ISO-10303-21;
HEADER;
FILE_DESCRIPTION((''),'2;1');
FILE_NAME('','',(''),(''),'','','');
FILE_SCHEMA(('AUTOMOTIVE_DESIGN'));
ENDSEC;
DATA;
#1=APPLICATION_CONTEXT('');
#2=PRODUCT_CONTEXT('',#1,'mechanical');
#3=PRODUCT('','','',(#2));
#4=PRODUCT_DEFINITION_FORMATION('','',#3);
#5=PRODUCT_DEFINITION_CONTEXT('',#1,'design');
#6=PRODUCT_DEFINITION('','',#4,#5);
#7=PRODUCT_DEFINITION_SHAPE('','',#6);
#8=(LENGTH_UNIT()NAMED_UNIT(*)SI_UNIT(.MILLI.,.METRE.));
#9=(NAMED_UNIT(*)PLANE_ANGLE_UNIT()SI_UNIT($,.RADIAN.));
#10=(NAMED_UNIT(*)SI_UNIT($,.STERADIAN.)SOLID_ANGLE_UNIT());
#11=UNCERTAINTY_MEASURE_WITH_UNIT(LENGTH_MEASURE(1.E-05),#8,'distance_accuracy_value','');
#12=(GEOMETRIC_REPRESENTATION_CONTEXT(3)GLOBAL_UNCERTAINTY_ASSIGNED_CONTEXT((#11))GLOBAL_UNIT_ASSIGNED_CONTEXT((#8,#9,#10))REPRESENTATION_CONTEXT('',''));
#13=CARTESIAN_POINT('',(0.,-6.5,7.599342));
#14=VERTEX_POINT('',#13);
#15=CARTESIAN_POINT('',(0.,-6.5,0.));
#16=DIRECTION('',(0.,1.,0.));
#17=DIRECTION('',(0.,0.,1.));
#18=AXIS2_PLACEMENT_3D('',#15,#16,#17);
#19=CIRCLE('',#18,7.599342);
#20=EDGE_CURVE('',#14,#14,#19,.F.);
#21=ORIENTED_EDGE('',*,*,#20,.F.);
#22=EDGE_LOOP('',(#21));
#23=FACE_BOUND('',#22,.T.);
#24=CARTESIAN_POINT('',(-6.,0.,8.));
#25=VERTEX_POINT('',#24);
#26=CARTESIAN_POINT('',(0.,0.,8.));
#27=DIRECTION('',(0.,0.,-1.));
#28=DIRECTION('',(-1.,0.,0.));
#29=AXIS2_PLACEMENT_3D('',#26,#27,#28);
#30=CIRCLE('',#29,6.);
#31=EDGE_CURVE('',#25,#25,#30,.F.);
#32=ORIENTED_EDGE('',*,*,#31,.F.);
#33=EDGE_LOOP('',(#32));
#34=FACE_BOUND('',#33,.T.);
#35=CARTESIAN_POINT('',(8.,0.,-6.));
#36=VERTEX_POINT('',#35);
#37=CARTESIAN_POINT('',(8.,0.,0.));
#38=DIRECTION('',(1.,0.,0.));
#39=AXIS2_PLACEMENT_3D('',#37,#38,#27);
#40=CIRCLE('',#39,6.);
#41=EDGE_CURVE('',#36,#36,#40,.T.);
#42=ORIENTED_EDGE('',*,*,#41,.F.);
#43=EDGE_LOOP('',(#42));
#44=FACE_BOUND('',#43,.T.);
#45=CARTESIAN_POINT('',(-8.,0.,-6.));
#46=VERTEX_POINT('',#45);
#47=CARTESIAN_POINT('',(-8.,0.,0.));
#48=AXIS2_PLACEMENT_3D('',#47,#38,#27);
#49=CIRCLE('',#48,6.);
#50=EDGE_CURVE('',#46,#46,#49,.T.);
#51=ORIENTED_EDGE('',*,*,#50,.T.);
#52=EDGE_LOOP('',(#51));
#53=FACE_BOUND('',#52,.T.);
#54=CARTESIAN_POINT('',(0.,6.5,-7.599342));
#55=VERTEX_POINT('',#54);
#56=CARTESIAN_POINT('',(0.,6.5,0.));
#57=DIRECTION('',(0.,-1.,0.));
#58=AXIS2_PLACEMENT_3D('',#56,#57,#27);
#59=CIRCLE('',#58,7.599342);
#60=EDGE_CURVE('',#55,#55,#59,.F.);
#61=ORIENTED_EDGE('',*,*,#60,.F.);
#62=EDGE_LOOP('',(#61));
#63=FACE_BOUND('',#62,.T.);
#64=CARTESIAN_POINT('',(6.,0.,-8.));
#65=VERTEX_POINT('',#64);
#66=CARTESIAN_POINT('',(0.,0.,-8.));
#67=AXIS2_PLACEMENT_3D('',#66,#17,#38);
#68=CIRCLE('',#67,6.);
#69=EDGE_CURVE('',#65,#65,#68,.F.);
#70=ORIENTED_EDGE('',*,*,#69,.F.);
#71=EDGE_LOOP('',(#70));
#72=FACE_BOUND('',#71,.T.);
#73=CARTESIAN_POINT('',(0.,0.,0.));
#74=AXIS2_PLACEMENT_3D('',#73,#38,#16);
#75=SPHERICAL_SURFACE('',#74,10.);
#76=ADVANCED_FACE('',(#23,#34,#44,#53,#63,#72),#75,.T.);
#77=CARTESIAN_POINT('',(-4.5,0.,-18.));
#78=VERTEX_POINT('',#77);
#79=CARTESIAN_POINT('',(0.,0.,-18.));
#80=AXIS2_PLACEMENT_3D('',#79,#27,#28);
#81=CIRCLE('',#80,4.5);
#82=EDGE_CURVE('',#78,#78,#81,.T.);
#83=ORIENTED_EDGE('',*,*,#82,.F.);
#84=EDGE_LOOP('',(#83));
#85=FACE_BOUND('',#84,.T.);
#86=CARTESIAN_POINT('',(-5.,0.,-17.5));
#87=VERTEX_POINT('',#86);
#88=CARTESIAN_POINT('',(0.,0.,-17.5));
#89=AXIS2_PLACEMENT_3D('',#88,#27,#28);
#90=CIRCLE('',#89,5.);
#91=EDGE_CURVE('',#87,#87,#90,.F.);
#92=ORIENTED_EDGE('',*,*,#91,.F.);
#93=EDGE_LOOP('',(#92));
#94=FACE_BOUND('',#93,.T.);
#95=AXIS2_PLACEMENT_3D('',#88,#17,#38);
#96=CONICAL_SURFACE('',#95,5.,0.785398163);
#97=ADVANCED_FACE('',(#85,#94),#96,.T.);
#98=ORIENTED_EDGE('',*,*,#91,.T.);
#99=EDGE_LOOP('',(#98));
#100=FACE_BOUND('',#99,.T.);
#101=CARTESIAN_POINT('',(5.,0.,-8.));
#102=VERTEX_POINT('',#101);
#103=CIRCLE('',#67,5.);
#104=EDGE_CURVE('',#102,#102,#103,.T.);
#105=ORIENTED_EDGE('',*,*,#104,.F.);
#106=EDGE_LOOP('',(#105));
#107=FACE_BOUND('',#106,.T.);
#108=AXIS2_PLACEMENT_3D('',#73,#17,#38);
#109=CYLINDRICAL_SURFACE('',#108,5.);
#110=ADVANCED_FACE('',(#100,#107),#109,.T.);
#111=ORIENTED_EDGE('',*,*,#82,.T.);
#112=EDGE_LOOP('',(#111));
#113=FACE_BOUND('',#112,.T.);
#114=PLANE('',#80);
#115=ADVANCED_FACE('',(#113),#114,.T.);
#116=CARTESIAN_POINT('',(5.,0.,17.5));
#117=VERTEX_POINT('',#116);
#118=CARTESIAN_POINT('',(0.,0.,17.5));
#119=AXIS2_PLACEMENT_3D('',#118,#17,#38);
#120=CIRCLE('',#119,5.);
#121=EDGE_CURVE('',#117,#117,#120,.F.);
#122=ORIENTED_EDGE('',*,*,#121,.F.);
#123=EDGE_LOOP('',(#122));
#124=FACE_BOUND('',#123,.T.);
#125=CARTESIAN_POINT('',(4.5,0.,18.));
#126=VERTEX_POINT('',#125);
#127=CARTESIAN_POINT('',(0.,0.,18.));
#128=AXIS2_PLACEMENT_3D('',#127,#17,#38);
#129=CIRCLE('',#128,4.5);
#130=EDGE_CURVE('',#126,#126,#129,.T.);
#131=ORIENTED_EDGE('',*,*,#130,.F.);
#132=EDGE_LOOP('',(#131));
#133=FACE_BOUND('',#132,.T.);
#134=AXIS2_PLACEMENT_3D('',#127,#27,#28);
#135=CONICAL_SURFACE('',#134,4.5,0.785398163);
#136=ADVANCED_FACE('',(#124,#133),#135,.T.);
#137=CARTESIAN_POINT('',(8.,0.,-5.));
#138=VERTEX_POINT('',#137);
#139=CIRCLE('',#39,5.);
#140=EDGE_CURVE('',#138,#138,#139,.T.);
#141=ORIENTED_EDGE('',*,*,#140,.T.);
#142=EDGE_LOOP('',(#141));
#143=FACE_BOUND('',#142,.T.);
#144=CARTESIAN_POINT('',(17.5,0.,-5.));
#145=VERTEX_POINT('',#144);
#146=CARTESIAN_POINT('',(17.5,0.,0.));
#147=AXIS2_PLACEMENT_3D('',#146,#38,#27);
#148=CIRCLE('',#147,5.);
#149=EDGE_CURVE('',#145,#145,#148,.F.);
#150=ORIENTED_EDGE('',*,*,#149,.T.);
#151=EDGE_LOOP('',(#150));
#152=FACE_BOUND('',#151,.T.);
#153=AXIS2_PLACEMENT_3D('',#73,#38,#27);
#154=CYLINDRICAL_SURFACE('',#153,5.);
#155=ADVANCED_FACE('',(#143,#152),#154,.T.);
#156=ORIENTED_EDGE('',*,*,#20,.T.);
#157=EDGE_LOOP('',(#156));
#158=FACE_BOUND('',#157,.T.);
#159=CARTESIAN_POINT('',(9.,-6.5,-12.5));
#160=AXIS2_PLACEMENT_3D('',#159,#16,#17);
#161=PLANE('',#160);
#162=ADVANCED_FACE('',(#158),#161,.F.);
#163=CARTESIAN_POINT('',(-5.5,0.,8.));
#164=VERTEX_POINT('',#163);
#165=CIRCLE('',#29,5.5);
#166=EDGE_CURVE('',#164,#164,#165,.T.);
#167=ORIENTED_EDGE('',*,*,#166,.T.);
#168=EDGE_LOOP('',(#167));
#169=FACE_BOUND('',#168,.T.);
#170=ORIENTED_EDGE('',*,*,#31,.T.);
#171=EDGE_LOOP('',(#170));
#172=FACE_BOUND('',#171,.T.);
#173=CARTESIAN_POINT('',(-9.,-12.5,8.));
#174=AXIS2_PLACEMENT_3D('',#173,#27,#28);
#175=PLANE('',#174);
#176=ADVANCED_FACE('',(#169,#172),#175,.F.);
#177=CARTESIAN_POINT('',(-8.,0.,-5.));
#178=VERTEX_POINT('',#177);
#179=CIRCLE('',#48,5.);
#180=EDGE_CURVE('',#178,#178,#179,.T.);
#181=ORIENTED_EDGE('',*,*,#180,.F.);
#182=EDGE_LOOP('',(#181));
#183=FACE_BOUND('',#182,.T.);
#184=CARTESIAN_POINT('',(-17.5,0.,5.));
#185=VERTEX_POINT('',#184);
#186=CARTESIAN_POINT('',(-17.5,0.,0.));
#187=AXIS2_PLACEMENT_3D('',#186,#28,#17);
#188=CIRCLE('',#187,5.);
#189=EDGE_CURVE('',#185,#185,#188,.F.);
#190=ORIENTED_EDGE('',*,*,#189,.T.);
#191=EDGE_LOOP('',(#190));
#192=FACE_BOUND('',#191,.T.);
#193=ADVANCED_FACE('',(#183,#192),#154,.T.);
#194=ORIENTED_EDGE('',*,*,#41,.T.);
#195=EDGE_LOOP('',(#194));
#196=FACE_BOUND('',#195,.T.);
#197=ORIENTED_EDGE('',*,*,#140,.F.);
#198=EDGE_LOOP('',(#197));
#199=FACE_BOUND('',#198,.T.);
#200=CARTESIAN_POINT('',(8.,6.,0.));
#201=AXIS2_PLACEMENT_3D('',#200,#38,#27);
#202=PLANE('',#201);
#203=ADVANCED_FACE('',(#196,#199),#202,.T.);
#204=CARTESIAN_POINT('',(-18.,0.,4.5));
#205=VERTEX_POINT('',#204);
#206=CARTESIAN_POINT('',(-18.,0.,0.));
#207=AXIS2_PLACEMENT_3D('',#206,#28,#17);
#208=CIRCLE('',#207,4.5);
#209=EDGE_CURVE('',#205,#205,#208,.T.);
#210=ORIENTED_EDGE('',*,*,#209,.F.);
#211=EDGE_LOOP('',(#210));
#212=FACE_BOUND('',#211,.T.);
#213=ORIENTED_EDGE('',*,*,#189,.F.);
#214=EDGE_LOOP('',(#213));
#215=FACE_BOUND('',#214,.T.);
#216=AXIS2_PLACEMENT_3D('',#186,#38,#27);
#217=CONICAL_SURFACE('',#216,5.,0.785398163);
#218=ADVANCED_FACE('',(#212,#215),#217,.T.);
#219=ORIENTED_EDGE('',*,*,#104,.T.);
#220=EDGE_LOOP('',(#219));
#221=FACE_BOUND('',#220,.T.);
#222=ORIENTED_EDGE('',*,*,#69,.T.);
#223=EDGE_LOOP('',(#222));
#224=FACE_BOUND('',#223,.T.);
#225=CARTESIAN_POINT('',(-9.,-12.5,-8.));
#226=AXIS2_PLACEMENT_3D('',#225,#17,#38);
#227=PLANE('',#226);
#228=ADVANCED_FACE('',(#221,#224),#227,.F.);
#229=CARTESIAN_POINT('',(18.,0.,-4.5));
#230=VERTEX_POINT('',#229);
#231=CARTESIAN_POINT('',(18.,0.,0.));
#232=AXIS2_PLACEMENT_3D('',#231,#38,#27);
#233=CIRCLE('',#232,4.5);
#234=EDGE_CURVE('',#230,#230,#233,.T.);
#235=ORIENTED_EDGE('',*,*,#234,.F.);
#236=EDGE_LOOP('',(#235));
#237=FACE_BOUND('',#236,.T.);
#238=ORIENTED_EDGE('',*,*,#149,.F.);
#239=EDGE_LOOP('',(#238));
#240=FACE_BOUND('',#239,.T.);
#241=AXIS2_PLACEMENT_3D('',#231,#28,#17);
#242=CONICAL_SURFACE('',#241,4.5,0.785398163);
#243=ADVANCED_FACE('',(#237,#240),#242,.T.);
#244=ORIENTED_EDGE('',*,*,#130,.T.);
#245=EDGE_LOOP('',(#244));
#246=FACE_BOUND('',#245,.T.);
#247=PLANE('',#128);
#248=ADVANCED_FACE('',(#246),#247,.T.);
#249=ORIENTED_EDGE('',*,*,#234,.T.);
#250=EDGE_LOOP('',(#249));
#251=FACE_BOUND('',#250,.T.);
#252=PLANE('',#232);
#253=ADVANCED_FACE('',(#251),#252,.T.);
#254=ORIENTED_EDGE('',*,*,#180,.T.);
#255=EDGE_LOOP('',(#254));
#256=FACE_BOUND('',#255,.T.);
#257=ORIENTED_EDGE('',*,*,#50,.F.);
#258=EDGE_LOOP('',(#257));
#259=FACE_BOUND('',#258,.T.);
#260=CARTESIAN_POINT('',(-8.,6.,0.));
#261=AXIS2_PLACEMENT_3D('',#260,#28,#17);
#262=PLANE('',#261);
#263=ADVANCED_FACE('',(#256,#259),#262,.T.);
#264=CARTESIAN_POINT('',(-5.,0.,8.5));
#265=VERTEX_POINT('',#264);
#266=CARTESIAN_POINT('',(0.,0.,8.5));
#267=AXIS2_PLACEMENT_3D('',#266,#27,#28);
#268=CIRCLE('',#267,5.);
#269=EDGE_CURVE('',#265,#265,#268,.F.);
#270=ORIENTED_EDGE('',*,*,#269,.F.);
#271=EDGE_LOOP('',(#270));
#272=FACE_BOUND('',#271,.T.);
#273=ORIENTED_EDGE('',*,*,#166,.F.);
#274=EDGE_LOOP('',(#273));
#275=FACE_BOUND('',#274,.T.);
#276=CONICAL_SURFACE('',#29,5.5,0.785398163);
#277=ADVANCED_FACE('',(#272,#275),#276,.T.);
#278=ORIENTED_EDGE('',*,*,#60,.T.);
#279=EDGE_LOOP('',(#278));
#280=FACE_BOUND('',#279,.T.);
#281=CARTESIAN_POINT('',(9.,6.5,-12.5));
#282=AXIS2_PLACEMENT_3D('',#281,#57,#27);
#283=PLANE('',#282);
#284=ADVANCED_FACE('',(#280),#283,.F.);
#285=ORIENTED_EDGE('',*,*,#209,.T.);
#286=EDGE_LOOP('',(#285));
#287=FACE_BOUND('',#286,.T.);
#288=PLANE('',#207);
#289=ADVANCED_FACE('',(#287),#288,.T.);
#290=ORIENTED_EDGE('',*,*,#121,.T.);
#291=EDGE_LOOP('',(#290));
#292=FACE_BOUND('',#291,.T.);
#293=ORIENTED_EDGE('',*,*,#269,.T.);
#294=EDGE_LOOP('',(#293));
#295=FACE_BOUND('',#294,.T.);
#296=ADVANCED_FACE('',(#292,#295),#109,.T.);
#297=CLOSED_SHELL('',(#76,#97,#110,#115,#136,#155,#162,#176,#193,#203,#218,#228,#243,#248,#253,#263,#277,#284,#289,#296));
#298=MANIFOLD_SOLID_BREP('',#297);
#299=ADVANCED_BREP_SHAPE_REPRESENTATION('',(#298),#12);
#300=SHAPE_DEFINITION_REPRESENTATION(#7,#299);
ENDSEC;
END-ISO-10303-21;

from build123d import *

# Parameters (mm, degrees)
ESQUISSE2_W             = 18
ESQUISSE2_H             = 4.5
ENL_V_MAT_EXTRU_1_DEPTH = 12.5
ESQUISSE3_W             = 18
ESQUISSE3_H             = 3
ENL_V_MAT_EXTRU_2_DEPTH = 12.5
ESQUISSE4_W             = 5
ESQUISSE4_H             = 36
CHANFREIN1_SIZE         = 0.5


with BuildPart() as part:
    # Esquisse1 → Base-Révolution (revolve)
    with BuildSketch(Plane.XY, mode=Mode.PRIVATE) as base_r_volution_sk:
        with BuildLine():
            Line((18, 0), (-18, 0))
            Line((-18, 0), (-18, 5))
            Line((-18, 5), (-8, 5))
            Line((-8, 5), (-8, 6))
            ThreePointArc((-8, 6), (0, 10), (8, 6))
            Line((8, 6), (8, 5))
            Line((8, 5), (18, 5))
            Line((18, 5), (18, 0))
        make_face()
    revolve(base_r_volution_sk.sketch.rotate(Axis((0, 0, 0), (-1, 0, 0)), 90), axis=Axis((0, 0, 0), (-1, 0, 0)))

    # Esquisse2 → Enlèv. mat.-Extru.1 (cut, symmetric)
    with BuildSketch(Plane.XY):
        with Locations((0, 8.75)):
            Rectangle(ESQUISSE2_W, ESQUISSE2_H)
        with Locations((0, -8.75)):
            Rectangle(ESQUISSE2_W, ESQUISSE2_H)
    extrude(amount=ENL_V_MAT_EXTRU_1_DEPTH, both=True, mode=Mode.SUBTRACT)

    # Esquisse3 → Enlèv. mat.-Extru.2 (cut, symmetric)
    with BuildSketch(Plane(origin=(0, 0, 0), x_dir=(1, 0, 0), z_dir=(0, 1, 0))):
        with Locations((0, 9.5)):
            Rectangle(ESQUISSE3_W, ESQUISSE3_H)
        with Locations((0, -9.5)):
            Rectangle(ESQUISSE3_W, ESQUISSE3_H)
    extrude(amount=ENL_V_MAT_EXTRU_2_DEPTH, both=True, mode=Mode.SUBTRACT)

    # Esquisse4 → Boss.-Révol.1 (revolve)
    with BuildSketch(Plane(origin=(0, 0, 0), x_dir=(1, 0, 0), z_dir=(0, 1, 0))):
        with Locations((2.5, 0)):
            Rectangle(ESQUISSE4_W, ESQUISSE4_H)
    revolve(axis=Axis((0, 0, 0), (0, 0, -1)))

    # Chanfrein1
    chanfrein1_edges = [part.edges().sort_by_distance(p)[0] for p in [
        (-18, 0, 5),
        (-5, 0, 8),
        (-5, 0, -18),
        (18, 0, 5),
        (-5, 0, 18),
    ]]
    chamfer(chanfrein1_edges, length=CHANFREIN1_SIZE)


solid = part.part
